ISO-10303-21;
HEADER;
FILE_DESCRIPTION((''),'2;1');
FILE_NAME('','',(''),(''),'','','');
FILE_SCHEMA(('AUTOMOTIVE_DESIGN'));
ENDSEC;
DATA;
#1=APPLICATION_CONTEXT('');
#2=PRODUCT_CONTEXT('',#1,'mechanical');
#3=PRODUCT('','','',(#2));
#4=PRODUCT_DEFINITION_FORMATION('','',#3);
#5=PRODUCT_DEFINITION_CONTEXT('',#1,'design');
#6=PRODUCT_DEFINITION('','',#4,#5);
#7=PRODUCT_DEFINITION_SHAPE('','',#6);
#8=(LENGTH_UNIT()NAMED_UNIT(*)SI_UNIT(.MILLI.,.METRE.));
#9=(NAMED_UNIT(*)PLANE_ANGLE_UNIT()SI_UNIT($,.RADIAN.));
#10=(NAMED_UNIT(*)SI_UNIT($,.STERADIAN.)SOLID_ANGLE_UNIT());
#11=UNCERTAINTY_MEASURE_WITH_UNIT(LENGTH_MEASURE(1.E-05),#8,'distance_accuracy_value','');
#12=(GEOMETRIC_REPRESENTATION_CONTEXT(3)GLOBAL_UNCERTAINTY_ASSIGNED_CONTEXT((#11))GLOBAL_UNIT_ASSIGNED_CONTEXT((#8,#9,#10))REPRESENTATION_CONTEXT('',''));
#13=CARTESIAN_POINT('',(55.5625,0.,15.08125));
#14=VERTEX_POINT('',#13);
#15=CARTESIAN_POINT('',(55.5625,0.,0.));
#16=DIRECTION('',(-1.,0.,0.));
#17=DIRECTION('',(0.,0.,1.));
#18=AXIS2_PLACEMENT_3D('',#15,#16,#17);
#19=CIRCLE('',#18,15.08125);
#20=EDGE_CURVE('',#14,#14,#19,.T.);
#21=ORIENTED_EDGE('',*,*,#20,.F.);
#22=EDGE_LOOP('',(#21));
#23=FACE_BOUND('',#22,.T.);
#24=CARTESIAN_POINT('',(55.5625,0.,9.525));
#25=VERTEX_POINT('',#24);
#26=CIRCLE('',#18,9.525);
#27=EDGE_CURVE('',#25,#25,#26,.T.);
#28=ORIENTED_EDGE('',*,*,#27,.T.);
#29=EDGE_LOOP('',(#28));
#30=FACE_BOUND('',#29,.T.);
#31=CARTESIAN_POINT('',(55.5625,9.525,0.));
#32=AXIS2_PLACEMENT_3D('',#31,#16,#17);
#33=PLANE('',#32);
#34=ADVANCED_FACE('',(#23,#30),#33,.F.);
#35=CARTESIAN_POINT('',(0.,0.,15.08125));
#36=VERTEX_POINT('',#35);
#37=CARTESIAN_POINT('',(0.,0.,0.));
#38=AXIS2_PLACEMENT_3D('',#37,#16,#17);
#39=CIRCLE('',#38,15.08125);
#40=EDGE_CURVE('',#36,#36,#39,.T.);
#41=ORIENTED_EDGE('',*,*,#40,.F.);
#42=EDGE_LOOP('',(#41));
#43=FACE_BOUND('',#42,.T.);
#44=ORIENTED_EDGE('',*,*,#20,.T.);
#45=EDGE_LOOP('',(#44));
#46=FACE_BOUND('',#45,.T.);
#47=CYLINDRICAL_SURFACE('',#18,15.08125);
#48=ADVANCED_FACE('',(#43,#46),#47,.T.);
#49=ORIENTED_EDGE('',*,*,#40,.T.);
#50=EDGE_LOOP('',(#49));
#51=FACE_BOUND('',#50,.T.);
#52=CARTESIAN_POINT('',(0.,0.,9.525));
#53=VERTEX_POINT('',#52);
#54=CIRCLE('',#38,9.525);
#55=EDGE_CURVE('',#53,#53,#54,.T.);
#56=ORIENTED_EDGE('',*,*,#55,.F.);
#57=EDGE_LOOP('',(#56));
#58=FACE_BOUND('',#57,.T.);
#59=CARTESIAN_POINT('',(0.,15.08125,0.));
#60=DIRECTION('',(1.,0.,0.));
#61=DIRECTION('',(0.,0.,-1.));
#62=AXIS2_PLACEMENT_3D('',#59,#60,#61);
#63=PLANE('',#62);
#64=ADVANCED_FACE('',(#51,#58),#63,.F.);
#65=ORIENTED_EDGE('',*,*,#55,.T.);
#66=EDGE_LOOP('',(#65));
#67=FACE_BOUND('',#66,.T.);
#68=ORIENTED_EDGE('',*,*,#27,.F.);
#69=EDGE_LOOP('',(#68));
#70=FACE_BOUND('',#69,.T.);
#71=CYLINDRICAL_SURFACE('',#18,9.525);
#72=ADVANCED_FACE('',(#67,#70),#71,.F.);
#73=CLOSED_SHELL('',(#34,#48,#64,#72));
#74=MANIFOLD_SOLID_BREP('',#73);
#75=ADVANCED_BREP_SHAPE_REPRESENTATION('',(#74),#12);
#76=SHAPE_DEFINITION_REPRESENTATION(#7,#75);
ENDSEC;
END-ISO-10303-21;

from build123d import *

# Parameters (mm, degrees)
ESBO_O1_W = 55.5625
ESBO_O1_H = 5.55625


with BuildPart() as part:
    # Esboço1 → Revolução1 (revolve)
    with BuildSketch(Plane.XY):
        with Locations((27.78125, 12.303125)):
            Rectangle(ESBO_O1_W, ESBO_O1_H)
    revolve(axis=Axis((55.5625, 0, 0), (-1, 0, 0)))


solid = part.part
